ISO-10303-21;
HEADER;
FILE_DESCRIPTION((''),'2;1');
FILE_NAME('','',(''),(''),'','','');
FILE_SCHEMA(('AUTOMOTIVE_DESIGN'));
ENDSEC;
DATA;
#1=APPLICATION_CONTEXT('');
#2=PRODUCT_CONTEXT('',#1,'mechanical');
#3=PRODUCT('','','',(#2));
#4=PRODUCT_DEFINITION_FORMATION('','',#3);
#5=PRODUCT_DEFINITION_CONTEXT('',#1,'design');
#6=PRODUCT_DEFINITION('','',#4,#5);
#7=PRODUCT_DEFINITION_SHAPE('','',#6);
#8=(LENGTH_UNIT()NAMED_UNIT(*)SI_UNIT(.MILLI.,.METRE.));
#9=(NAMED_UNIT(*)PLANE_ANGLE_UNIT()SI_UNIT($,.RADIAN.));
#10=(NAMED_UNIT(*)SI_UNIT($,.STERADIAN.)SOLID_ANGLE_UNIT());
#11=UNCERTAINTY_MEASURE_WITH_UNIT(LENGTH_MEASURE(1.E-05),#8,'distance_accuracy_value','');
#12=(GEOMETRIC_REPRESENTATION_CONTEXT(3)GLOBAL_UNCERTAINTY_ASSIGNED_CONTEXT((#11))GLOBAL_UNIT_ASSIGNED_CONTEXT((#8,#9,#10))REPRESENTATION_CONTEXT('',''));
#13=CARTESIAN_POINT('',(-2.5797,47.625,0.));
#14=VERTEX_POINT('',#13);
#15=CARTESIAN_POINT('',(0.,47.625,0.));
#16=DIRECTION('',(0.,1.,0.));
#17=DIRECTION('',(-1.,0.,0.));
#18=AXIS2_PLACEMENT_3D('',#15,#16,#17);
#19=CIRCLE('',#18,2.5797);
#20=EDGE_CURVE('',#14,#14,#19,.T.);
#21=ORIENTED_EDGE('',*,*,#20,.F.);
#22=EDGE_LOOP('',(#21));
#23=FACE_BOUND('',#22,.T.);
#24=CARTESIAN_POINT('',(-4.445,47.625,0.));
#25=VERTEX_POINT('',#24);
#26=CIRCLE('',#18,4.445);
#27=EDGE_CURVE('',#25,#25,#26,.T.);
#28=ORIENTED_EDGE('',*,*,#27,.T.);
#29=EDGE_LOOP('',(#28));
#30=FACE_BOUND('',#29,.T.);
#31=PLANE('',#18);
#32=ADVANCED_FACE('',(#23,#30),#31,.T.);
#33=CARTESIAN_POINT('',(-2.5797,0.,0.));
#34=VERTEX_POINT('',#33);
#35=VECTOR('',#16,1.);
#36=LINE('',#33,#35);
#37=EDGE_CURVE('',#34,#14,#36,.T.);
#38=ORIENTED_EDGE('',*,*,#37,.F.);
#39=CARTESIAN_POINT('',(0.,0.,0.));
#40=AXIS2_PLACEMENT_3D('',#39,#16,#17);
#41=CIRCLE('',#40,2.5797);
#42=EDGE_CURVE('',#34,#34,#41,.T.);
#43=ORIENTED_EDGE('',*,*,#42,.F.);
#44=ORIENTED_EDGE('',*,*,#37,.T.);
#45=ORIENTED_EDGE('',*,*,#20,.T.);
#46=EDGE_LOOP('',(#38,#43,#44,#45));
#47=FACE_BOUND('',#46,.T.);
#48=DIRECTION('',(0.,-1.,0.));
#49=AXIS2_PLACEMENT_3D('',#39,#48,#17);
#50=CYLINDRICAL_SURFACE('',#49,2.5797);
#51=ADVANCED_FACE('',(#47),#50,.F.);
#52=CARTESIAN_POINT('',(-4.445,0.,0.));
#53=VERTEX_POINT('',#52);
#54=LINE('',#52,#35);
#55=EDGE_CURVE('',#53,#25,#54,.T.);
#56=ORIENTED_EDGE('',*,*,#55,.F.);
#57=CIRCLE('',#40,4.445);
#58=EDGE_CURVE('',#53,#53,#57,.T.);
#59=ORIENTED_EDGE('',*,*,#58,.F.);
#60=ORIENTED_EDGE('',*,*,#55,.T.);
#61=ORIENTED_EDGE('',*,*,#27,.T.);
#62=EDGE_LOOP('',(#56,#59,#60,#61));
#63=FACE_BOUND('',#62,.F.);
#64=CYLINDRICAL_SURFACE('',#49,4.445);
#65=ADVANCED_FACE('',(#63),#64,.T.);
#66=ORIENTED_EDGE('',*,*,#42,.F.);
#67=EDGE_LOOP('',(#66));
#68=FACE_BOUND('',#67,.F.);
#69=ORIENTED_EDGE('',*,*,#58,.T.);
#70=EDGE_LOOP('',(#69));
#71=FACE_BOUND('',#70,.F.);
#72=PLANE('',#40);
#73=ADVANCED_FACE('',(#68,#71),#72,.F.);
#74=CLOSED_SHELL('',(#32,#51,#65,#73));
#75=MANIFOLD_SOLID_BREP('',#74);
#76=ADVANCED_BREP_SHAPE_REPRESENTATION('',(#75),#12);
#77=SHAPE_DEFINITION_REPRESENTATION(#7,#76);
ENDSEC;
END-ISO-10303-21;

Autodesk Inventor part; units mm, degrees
ref_plane "YZ Plane" through (0, 0, 0) normal (1, 0, 0) x (0, 1, 0)
ref_plane "XZ Plane" through (0, 0, 0) normal (0, 1, 0) x (-1, 0, 0)
ref_plane "XY Plane" through (0, 0, 0) normal (0, 0, 1) x (1, 0, 0)
sketch "Sketch1" plane through (0, 0, 0) normal (0, 1, 0) x (-1, 0, 0)
  circle A0 centre (0, 0) radius 2.5797
  circle A1 centre (0, 0) radius 4.445
  dimension "d0" = 5.1594
  dimension "d1" = 8.89
extrude "Extrusion1" add sketch "Sketch1" along normal blind 47.625
properties part number "PDP_Spacer"
